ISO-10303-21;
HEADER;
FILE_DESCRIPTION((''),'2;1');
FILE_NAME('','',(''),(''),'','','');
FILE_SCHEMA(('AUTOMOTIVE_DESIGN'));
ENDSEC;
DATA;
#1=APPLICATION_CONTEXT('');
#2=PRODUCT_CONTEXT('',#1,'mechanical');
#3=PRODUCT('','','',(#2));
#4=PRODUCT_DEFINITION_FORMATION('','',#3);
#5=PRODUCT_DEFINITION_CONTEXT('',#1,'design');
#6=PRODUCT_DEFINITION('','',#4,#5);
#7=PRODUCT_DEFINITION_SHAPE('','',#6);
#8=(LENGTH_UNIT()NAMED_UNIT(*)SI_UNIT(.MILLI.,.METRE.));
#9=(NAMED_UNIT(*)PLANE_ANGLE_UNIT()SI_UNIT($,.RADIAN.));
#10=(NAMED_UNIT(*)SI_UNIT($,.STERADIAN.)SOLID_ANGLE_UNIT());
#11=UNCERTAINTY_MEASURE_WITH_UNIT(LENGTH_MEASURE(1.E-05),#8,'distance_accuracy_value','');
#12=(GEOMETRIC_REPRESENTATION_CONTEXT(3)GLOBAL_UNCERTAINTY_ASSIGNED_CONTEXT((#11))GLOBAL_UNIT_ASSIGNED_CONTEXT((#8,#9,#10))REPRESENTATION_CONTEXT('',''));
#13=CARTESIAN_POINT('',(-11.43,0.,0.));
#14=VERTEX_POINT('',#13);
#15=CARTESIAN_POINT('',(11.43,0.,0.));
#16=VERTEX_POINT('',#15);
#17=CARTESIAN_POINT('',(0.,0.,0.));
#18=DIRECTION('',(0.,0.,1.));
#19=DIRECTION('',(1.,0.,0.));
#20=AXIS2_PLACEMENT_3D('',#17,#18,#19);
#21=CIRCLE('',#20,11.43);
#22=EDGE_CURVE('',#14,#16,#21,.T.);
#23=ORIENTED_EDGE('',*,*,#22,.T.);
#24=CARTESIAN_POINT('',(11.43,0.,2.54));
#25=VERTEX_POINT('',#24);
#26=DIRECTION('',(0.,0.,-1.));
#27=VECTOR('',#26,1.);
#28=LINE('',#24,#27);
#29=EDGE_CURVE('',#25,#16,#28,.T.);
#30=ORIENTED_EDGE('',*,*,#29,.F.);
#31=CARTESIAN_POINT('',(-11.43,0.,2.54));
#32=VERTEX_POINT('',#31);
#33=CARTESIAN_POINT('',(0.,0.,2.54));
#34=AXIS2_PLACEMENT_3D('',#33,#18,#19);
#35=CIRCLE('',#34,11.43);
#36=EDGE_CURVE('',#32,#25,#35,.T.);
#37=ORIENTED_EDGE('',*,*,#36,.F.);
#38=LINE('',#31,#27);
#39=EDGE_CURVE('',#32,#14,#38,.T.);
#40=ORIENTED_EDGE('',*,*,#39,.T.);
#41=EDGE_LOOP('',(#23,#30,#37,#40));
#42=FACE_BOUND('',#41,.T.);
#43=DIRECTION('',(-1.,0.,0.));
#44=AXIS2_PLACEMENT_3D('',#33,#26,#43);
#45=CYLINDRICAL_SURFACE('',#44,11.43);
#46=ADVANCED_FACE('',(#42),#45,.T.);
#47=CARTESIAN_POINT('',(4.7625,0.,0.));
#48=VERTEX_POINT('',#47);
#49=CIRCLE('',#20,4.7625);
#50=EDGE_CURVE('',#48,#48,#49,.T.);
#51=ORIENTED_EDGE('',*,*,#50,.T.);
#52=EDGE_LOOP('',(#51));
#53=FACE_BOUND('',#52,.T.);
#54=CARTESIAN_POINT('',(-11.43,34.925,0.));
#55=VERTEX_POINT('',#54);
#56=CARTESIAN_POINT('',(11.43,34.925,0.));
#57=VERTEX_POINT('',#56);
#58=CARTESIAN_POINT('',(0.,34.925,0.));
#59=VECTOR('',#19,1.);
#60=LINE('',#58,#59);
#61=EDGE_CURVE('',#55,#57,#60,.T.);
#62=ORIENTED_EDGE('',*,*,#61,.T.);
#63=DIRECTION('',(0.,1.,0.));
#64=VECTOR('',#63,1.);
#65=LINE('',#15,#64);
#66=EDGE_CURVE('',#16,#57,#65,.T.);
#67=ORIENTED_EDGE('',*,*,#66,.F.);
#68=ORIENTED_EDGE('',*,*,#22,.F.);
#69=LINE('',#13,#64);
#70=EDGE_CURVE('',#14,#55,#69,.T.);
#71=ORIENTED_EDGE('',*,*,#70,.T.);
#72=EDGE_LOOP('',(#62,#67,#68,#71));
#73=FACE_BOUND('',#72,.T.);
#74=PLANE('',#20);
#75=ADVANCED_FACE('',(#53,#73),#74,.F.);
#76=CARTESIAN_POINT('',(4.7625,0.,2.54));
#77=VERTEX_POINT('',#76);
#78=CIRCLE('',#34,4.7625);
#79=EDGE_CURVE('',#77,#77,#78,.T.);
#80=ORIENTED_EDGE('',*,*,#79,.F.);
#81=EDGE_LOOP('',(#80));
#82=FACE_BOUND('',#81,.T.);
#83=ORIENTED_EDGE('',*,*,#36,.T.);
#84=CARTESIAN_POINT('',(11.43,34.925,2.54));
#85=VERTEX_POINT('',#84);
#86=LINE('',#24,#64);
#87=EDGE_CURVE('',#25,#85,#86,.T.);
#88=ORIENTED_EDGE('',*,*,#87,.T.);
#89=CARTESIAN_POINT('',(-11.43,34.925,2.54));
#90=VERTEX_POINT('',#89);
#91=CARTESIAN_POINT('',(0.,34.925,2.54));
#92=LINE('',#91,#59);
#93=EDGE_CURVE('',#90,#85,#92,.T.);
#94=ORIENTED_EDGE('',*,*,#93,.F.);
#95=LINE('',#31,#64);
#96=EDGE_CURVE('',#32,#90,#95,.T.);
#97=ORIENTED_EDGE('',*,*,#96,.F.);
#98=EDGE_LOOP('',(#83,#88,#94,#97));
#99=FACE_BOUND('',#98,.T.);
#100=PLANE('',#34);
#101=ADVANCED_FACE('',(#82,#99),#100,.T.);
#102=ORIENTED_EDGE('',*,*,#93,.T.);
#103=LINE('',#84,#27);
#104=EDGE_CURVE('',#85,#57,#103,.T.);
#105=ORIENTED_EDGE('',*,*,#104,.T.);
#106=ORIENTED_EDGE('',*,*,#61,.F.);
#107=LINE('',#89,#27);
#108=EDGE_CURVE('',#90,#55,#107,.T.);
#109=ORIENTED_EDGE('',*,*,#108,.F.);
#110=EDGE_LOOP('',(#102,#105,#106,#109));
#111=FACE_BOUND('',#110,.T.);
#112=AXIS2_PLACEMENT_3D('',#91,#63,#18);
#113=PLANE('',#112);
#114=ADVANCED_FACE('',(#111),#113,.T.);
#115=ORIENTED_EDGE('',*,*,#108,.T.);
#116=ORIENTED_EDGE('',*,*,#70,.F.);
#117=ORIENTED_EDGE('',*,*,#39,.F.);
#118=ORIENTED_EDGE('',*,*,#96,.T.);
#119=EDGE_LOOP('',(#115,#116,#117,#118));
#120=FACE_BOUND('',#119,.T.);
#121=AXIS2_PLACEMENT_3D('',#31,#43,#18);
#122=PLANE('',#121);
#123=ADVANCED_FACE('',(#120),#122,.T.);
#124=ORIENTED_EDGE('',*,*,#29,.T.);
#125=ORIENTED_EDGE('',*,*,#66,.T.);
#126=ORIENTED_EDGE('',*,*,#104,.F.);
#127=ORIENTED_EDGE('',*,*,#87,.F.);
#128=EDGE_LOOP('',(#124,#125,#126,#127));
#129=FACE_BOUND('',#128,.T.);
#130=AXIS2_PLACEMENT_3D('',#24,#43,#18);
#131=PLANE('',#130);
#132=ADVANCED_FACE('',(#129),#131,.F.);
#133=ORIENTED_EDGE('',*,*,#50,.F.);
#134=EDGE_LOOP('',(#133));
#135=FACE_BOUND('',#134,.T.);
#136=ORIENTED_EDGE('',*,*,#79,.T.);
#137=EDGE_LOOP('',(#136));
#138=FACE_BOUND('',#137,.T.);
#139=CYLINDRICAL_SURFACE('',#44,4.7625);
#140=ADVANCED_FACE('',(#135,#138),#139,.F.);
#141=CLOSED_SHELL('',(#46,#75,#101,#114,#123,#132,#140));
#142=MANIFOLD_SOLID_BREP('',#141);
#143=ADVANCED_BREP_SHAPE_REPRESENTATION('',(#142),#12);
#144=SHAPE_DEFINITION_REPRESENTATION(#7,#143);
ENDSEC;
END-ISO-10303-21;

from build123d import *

# Parameters (mm, degrees)
SKETCH1_R           = 4.7625
BOSS_EXTRUDE1_DEPTH = 2.54


with BuildPart() as part:
    # Sketch1 → Boss-Extrude1 (new body)
    with BuildSketch(Plane.XY):
        with BuildLine():
            ThreePointArc((-11.43, 0), (0, -11.43), (11.43, 0))
            Line((11.43, 0), (11.43, 34.925))
            Line((11.43, 34.925), (-11.43, 34.925))
            Line((-11.43, 34.925), (-11.43, 0))
        make_face()
        Circle(SKETCH1_R, mode=Mode.SUBTRACT)
    extrude(amount=BOSS_EXTRUDE1_DEPTH)


solid = part.part
